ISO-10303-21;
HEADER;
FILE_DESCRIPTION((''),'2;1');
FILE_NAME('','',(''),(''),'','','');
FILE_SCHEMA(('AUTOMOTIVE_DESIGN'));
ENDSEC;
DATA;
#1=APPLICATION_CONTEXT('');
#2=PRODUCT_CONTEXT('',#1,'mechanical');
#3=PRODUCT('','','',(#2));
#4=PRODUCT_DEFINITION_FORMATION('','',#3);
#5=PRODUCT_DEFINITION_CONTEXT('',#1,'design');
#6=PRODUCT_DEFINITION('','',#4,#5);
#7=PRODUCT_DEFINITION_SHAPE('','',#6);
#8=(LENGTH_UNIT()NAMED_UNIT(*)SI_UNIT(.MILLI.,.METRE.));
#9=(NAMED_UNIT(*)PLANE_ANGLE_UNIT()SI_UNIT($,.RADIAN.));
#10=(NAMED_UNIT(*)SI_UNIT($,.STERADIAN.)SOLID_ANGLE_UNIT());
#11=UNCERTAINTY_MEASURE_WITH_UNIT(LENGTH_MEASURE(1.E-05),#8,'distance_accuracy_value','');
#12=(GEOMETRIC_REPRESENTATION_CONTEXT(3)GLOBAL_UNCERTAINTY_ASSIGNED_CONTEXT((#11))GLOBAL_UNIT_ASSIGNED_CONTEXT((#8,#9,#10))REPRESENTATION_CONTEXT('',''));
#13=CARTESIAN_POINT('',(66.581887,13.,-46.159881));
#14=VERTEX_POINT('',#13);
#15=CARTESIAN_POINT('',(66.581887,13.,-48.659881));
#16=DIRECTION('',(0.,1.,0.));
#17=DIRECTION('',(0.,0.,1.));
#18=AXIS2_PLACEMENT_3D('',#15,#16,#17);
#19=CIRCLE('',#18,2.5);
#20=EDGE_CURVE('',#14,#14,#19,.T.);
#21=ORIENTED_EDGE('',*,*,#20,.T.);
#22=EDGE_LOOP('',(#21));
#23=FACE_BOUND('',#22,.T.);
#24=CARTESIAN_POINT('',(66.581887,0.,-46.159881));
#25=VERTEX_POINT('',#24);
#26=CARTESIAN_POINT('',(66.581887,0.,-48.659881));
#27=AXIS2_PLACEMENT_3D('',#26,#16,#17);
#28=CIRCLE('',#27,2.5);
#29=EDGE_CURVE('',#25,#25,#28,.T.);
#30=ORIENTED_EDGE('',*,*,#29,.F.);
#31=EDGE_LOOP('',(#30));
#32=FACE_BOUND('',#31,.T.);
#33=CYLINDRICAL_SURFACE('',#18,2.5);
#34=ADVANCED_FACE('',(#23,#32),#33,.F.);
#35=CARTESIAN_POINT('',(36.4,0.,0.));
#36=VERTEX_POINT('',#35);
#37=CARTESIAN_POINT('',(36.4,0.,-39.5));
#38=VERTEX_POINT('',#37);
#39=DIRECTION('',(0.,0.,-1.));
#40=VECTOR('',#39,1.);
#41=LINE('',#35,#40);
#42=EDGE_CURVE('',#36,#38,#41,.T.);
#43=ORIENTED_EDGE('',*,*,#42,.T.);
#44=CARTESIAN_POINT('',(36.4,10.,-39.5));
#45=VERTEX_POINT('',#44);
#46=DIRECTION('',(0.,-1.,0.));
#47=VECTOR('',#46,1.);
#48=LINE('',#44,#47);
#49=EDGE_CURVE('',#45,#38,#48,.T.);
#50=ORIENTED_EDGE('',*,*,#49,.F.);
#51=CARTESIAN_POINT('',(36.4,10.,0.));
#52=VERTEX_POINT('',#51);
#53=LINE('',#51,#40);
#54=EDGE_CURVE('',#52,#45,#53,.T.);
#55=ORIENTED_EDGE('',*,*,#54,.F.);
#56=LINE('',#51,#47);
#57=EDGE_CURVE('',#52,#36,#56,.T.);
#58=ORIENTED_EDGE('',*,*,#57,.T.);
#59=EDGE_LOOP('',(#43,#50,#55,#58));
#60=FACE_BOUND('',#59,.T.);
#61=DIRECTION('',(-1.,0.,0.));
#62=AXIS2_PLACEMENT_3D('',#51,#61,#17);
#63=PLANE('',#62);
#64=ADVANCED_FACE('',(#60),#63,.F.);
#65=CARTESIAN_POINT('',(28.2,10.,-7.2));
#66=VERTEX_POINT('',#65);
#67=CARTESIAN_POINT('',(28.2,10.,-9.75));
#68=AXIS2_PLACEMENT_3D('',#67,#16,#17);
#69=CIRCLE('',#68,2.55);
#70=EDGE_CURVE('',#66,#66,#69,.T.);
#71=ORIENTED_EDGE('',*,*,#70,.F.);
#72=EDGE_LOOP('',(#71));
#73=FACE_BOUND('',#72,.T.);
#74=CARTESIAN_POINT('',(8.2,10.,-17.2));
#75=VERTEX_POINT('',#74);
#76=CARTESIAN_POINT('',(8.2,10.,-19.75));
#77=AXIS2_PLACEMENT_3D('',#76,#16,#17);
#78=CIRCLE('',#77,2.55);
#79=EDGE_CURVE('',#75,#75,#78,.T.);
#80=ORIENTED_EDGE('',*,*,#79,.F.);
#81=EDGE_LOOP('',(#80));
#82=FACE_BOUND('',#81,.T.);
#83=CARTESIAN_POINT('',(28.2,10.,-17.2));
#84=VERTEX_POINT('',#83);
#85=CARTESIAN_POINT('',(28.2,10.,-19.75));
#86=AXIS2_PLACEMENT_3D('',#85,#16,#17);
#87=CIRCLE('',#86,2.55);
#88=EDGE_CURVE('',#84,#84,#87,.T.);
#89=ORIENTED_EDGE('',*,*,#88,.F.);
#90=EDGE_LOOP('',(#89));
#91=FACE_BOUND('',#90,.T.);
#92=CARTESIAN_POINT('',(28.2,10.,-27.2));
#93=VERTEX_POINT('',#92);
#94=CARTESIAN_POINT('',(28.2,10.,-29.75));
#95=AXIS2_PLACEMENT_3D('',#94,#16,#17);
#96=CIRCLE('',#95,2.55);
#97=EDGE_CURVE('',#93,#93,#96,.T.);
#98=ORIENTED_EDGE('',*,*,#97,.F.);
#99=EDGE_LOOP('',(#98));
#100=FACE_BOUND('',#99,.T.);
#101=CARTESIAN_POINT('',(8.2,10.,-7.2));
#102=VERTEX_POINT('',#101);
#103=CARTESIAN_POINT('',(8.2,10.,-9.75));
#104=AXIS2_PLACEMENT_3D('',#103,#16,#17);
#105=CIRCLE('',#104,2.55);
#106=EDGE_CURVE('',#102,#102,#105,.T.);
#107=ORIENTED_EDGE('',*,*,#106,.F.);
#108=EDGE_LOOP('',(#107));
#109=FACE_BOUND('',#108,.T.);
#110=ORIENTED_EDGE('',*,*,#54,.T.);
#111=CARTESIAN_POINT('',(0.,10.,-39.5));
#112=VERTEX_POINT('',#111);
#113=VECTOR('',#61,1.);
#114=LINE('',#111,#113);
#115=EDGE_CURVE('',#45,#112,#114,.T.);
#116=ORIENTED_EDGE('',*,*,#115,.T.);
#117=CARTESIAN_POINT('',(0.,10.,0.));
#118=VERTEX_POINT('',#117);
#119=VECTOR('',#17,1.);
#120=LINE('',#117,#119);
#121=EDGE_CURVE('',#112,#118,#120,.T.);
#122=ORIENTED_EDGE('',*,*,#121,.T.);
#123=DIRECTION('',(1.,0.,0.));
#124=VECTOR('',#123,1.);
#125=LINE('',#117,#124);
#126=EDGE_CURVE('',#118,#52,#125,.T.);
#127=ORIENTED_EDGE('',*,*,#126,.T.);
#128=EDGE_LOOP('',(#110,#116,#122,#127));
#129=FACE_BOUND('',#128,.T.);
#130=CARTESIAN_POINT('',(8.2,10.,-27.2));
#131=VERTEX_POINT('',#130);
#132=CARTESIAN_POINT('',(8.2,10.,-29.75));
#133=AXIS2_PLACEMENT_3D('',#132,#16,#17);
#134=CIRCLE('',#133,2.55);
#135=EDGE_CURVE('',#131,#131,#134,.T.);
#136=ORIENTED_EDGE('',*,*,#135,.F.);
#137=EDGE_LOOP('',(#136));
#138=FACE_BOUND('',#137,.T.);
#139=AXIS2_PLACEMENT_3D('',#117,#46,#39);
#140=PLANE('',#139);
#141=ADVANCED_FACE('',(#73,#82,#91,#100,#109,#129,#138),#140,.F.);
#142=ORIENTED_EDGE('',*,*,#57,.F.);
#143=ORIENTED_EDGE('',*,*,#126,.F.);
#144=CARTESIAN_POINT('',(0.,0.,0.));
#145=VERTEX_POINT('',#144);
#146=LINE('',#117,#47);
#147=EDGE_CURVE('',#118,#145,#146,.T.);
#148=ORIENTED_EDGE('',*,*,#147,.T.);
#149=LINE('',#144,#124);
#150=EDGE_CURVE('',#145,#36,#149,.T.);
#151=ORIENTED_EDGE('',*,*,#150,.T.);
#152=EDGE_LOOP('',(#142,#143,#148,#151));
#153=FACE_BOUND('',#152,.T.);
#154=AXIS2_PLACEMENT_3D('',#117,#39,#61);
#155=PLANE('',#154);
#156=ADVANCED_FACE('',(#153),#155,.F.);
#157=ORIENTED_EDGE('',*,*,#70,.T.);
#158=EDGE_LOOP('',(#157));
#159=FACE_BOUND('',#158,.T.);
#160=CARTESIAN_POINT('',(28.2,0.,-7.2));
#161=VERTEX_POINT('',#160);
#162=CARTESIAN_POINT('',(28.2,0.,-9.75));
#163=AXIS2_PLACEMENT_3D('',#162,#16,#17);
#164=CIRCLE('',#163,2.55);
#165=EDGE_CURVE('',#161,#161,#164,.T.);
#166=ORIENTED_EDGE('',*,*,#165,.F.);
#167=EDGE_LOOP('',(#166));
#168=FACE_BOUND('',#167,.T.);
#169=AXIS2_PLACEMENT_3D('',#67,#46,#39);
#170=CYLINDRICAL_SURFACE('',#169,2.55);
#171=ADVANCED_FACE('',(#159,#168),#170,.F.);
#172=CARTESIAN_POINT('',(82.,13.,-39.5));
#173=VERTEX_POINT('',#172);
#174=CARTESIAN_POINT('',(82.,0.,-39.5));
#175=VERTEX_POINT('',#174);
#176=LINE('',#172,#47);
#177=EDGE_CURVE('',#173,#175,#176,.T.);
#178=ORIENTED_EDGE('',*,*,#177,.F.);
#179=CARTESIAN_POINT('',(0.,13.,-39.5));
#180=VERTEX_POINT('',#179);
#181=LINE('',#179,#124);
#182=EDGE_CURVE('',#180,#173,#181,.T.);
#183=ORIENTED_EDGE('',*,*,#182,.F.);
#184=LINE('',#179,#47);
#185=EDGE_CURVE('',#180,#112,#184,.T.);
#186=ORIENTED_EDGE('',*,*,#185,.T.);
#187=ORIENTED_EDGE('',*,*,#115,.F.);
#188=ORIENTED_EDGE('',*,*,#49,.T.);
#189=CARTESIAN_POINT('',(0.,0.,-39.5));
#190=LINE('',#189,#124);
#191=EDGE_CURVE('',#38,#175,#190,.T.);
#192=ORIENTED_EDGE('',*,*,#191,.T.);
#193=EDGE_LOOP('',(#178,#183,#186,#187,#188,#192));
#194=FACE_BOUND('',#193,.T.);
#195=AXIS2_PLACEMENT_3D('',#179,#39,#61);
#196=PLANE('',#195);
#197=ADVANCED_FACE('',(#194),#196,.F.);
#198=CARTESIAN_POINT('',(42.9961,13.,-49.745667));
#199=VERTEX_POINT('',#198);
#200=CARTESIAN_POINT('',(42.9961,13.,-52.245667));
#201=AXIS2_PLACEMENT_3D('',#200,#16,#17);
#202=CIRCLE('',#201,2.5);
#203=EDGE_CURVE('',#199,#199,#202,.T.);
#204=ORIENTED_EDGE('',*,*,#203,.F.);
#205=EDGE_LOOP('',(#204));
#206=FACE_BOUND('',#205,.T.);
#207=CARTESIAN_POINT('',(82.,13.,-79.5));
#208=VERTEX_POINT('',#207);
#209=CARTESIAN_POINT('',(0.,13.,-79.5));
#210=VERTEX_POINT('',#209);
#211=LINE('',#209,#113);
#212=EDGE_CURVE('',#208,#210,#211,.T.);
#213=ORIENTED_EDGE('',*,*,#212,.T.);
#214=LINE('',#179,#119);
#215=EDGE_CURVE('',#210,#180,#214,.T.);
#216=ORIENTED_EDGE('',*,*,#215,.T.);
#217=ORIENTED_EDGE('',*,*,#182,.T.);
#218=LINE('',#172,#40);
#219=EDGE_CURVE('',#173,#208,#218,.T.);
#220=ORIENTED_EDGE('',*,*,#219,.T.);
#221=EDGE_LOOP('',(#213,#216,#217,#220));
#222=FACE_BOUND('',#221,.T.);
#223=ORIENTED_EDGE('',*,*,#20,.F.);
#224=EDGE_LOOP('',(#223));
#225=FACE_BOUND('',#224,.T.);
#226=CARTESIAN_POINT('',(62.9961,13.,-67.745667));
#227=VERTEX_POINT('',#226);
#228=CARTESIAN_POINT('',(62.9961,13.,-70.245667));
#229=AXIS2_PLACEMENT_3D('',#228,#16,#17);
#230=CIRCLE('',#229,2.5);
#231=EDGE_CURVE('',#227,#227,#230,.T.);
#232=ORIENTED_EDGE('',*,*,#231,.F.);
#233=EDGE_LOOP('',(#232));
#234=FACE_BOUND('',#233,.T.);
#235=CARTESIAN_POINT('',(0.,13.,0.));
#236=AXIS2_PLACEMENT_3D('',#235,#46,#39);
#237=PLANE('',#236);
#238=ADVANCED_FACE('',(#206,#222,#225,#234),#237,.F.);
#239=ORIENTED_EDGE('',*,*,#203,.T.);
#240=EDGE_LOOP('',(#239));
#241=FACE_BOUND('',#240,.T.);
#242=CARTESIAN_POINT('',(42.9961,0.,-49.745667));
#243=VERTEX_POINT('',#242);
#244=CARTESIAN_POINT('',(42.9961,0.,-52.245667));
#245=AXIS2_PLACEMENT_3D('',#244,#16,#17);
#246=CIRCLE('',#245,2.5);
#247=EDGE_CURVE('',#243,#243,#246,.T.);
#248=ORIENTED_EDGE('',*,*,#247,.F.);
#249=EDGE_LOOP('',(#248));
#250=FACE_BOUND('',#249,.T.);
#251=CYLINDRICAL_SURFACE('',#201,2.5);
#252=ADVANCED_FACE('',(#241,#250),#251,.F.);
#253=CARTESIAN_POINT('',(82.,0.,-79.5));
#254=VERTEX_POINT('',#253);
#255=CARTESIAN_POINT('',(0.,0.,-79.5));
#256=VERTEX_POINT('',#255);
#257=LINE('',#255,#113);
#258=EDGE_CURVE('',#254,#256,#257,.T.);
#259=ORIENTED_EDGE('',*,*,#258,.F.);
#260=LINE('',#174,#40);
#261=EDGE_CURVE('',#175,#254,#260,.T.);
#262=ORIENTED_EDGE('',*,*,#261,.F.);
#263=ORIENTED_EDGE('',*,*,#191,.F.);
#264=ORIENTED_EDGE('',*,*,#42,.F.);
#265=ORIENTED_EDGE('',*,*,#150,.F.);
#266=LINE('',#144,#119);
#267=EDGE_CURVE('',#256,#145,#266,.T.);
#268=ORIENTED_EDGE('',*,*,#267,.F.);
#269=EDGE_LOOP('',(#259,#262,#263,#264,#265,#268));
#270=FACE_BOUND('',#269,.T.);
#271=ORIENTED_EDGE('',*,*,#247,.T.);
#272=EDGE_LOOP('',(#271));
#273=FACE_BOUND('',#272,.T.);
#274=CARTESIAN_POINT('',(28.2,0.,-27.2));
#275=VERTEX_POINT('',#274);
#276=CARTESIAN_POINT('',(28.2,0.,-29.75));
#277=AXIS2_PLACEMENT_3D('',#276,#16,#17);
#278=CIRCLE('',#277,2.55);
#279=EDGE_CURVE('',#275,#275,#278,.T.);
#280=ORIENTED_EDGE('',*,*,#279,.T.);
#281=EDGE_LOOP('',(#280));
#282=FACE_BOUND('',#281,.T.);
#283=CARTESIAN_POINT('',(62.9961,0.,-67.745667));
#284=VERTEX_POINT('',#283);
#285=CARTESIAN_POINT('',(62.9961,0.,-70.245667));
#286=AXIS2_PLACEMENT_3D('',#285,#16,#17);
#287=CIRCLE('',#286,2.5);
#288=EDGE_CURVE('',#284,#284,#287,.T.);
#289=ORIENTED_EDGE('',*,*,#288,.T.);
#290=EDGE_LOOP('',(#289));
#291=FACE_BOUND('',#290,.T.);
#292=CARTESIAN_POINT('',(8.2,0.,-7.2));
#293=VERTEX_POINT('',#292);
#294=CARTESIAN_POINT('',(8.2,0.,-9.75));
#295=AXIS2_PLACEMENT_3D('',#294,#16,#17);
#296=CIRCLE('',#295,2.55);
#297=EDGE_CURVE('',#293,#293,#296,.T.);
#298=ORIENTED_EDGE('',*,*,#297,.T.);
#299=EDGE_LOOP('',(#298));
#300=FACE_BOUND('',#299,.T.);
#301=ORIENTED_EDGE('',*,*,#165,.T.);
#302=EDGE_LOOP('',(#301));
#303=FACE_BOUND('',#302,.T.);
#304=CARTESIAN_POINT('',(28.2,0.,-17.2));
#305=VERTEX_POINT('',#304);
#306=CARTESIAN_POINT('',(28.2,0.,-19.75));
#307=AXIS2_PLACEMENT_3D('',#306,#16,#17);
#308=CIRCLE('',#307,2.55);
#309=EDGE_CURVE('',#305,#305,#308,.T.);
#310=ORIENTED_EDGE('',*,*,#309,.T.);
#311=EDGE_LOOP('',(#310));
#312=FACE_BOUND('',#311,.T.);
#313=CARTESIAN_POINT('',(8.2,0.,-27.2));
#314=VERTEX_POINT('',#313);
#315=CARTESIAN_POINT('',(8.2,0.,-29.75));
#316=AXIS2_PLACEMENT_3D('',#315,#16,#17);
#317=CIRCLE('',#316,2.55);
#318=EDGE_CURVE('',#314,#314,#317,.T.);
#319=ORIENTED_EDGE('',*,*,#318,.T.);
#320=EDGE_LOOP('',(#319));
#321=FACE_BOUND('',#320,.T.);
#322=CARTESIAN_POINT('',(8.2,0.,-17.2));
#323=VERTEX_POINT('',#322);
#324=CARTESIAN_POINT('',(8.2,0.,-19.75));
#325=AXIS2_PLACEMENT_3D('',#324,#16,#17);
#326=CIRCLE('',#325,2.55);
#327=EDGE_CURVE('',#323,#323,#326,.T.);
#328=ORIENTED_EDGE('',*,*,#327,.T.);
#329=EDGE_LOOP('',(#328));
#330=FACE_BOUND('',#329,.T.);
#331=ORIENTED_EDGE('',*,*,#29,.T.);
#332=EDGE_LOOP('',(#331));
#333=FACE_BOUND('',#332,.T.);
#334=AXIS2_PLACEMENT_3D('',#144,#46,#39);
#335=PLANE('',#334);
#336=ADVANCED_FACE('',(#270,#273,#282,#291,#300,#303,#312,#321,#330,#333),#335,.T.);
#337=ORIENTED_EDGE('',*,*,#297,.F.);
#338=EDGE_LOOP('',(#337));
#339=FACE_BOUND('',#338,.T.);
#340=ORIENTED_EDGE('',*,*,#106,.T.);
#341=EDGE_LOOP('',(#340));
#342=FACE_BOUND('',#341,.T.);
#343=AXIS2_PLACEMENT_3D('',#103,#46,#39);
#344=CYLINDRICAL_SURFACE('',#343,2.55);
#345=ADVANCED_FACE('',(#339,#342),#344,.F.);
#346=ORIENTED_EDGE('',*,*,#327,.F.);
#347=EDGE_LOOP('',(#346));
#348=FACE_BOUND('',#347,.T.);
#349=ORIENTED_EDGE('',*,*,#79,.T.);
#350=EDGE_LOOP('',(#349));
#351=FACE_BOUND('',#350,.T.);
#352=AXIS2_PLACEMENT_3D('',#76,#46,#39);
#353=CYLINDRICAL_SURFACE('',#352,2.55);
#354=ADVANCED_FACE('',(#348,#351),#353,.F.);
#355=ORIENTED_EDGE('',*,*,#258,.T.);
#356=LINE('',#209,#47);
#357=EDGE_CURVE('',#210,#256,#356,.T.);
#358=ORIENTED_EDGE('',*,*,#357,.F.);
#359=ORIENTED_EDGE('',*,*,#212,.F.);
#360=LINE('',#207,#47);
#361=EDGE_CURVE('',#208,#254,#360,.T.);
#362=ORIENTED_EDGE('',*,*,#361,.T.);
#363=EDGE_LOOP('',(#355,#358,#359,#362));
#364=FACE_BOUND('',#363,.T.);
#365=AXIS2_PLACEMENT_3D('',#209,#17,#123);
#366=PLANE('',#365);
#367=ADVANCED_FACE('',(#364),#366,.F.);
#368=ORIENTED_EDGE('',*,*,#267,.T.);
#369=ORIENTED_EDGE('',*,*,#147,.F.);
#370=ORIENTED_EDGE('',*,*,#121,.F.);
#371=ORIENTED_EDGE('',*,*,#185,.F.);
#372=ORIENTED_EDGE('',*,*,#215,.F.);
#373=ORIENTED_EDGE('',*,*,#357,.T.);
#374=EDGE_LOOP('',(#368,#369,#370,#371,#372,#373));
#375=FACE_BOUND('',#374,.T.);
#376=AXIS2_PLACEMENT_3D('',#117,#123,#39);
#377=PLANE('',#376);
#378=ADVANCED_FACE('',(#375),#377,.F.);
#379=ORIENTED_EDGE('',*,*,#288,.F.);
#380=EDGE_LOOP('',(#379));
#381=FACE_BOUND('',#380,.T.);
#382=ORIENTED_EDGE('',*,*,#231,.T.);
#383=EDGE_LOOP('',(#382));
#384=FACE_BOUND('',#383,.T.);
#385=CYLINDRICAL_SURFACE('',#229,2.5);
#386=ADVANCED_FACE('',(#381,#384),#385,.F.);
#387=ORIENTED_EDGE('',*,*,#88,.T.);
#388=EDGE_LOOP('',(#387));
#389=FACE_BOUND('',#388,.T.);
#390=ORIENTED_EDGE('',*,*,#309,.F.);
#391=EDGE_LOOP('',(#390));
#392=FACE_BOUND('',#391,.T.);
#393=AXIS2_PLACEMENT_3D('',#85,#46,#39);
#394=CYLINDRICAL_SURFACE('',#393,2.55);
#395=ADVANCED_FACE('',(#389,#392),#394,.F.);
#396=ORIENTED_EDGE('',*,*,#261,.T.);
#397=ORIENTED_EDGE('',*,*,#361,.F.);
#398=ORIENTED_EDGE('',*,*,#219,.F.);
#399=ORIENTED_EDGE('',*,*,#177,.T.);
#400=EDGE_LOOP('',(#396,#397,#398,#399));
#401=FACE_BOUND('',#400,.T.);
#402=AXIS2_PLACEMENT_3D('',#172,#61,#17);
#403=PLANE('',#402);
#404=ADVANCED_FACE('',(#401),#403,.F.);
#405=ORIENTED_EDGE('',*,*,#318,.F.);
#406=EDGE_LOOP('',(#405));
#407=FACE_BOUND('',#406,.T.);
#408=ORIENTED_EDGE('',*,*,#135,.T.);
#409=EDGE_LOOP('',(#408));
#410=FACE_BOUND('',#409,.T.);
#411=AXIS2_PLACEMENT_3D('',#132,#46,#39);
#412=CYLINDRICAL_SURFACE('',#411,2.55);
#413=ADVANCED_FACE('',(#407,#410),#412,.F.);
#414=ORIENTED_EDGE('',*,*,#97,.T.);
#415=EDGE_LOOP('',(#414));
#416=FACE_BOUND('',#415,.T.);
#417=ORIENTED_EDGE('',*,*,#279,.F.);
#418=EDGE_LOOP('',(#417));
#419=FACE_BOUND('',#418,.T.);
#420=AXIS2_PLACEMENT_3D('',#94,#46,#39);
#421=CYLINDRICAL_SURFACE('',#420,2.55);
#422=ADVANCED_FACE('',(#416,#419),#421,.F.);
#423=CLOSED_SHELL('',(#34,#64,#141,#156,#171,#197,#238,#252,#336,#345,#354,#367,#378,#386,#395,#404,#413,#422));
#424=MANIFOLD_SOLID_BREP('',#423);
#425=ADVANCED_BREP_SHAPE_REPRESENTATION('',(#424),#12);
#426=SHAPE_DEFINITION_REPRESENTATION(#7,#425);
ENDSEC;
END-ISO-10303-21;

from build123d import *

# Parameters (mm, degrees)
SKETCH1_W                = 36.4
SKETCH1_H                = 39.5
SKETCH1_R                = 2.55
BOSS_EXTRUDE1_DEPTH      = 10
BOSS_EXTRUDE2_DEPTH      = 3
BOSS_EXTRUDE2_DEPTH_BACK = 10
SKETCH2_W                = 82
SKETCH2_H                = 40
F_5_0MM_DOWEL_HOLE1_D    = 5


with BuildPart() as part:
    # Sketch1 → Boss-Extrude1 (new body)
    with BuildSketch(Plane(origin=(0, 0, 0), x_dir=(1, 0, 0), z_dir=(0, 1, 0))):
        with Locations((18.2, 19.75)):
            Rectangle(SKETCH1_W, SKETCH1_H)
        with Locations(Location((8.2, 29.75, 0), (0, 0, 270))):
            Circle(SKETCH1_R, mode=Mode.SUBTRACT)
        with Locations(Location((28.2, 29.75, 0), (0, 0, 270))):
            Circle(SKETCH1_R, mode=Mode.SUBTRACT)
        with Locations(Location((28.2, 19.75, 0), (0, 0, 270))):
            Circle(SKETCH1_R, mode=Mode.SUBTRACT)
        with Locations(Location((28.2, 9.75, 0), (0, 0, 270))):
            Circle(SKETCH1_R, mode=Mode.SUBTRACT)
        with Locations(Location((8.2, 19.75, 0), (0, 0, 270))):
            Circle(SKETCH1_R, mode=Mode.SUBTRACT)
        with Locations(Location((8.2, 9.75, 0), (0, 0, 270))):
            Circle(SKETCH1_R, mode=Mode.SUBTRACT)
    extrude(amount=BOSS_EXTRUDE1_DEPTH)

    # Sketch2 → Boss-Extrude2 (add, two sides: drawn at the far end of the back side and taken through both)
    with BuildSketch(Plane(origin=(0, 10, 0), x_dir=(1, 0, 0), z_dir=(0, 1, 0)).offset(-BOSS_EXTRUDE2_DEPTH_BACK)):
        with Locations((41, 59.5)):
            Rectangle(SKETCH2_W, SKETCH2_H)
    extrude(amount=BOSS_EXTRUDE2_DEPTH + BOSS_EXTRUDE2_DEPTH_BACK)

    # Ø5.0mm Dowel Hole1 (through all)
    with Locations(Plane(origin=(42.996100309, 13, -52.245667008), x_dir=(0, 0, 1), z_dir=(0, 1, 0))):
        with Locations((0, 0), (-18, 20), (3.585786438, 23.585786437)):
            Hole(F_5_0MM_DOWEL_HOLE1_D / 2)


solid = part.part
